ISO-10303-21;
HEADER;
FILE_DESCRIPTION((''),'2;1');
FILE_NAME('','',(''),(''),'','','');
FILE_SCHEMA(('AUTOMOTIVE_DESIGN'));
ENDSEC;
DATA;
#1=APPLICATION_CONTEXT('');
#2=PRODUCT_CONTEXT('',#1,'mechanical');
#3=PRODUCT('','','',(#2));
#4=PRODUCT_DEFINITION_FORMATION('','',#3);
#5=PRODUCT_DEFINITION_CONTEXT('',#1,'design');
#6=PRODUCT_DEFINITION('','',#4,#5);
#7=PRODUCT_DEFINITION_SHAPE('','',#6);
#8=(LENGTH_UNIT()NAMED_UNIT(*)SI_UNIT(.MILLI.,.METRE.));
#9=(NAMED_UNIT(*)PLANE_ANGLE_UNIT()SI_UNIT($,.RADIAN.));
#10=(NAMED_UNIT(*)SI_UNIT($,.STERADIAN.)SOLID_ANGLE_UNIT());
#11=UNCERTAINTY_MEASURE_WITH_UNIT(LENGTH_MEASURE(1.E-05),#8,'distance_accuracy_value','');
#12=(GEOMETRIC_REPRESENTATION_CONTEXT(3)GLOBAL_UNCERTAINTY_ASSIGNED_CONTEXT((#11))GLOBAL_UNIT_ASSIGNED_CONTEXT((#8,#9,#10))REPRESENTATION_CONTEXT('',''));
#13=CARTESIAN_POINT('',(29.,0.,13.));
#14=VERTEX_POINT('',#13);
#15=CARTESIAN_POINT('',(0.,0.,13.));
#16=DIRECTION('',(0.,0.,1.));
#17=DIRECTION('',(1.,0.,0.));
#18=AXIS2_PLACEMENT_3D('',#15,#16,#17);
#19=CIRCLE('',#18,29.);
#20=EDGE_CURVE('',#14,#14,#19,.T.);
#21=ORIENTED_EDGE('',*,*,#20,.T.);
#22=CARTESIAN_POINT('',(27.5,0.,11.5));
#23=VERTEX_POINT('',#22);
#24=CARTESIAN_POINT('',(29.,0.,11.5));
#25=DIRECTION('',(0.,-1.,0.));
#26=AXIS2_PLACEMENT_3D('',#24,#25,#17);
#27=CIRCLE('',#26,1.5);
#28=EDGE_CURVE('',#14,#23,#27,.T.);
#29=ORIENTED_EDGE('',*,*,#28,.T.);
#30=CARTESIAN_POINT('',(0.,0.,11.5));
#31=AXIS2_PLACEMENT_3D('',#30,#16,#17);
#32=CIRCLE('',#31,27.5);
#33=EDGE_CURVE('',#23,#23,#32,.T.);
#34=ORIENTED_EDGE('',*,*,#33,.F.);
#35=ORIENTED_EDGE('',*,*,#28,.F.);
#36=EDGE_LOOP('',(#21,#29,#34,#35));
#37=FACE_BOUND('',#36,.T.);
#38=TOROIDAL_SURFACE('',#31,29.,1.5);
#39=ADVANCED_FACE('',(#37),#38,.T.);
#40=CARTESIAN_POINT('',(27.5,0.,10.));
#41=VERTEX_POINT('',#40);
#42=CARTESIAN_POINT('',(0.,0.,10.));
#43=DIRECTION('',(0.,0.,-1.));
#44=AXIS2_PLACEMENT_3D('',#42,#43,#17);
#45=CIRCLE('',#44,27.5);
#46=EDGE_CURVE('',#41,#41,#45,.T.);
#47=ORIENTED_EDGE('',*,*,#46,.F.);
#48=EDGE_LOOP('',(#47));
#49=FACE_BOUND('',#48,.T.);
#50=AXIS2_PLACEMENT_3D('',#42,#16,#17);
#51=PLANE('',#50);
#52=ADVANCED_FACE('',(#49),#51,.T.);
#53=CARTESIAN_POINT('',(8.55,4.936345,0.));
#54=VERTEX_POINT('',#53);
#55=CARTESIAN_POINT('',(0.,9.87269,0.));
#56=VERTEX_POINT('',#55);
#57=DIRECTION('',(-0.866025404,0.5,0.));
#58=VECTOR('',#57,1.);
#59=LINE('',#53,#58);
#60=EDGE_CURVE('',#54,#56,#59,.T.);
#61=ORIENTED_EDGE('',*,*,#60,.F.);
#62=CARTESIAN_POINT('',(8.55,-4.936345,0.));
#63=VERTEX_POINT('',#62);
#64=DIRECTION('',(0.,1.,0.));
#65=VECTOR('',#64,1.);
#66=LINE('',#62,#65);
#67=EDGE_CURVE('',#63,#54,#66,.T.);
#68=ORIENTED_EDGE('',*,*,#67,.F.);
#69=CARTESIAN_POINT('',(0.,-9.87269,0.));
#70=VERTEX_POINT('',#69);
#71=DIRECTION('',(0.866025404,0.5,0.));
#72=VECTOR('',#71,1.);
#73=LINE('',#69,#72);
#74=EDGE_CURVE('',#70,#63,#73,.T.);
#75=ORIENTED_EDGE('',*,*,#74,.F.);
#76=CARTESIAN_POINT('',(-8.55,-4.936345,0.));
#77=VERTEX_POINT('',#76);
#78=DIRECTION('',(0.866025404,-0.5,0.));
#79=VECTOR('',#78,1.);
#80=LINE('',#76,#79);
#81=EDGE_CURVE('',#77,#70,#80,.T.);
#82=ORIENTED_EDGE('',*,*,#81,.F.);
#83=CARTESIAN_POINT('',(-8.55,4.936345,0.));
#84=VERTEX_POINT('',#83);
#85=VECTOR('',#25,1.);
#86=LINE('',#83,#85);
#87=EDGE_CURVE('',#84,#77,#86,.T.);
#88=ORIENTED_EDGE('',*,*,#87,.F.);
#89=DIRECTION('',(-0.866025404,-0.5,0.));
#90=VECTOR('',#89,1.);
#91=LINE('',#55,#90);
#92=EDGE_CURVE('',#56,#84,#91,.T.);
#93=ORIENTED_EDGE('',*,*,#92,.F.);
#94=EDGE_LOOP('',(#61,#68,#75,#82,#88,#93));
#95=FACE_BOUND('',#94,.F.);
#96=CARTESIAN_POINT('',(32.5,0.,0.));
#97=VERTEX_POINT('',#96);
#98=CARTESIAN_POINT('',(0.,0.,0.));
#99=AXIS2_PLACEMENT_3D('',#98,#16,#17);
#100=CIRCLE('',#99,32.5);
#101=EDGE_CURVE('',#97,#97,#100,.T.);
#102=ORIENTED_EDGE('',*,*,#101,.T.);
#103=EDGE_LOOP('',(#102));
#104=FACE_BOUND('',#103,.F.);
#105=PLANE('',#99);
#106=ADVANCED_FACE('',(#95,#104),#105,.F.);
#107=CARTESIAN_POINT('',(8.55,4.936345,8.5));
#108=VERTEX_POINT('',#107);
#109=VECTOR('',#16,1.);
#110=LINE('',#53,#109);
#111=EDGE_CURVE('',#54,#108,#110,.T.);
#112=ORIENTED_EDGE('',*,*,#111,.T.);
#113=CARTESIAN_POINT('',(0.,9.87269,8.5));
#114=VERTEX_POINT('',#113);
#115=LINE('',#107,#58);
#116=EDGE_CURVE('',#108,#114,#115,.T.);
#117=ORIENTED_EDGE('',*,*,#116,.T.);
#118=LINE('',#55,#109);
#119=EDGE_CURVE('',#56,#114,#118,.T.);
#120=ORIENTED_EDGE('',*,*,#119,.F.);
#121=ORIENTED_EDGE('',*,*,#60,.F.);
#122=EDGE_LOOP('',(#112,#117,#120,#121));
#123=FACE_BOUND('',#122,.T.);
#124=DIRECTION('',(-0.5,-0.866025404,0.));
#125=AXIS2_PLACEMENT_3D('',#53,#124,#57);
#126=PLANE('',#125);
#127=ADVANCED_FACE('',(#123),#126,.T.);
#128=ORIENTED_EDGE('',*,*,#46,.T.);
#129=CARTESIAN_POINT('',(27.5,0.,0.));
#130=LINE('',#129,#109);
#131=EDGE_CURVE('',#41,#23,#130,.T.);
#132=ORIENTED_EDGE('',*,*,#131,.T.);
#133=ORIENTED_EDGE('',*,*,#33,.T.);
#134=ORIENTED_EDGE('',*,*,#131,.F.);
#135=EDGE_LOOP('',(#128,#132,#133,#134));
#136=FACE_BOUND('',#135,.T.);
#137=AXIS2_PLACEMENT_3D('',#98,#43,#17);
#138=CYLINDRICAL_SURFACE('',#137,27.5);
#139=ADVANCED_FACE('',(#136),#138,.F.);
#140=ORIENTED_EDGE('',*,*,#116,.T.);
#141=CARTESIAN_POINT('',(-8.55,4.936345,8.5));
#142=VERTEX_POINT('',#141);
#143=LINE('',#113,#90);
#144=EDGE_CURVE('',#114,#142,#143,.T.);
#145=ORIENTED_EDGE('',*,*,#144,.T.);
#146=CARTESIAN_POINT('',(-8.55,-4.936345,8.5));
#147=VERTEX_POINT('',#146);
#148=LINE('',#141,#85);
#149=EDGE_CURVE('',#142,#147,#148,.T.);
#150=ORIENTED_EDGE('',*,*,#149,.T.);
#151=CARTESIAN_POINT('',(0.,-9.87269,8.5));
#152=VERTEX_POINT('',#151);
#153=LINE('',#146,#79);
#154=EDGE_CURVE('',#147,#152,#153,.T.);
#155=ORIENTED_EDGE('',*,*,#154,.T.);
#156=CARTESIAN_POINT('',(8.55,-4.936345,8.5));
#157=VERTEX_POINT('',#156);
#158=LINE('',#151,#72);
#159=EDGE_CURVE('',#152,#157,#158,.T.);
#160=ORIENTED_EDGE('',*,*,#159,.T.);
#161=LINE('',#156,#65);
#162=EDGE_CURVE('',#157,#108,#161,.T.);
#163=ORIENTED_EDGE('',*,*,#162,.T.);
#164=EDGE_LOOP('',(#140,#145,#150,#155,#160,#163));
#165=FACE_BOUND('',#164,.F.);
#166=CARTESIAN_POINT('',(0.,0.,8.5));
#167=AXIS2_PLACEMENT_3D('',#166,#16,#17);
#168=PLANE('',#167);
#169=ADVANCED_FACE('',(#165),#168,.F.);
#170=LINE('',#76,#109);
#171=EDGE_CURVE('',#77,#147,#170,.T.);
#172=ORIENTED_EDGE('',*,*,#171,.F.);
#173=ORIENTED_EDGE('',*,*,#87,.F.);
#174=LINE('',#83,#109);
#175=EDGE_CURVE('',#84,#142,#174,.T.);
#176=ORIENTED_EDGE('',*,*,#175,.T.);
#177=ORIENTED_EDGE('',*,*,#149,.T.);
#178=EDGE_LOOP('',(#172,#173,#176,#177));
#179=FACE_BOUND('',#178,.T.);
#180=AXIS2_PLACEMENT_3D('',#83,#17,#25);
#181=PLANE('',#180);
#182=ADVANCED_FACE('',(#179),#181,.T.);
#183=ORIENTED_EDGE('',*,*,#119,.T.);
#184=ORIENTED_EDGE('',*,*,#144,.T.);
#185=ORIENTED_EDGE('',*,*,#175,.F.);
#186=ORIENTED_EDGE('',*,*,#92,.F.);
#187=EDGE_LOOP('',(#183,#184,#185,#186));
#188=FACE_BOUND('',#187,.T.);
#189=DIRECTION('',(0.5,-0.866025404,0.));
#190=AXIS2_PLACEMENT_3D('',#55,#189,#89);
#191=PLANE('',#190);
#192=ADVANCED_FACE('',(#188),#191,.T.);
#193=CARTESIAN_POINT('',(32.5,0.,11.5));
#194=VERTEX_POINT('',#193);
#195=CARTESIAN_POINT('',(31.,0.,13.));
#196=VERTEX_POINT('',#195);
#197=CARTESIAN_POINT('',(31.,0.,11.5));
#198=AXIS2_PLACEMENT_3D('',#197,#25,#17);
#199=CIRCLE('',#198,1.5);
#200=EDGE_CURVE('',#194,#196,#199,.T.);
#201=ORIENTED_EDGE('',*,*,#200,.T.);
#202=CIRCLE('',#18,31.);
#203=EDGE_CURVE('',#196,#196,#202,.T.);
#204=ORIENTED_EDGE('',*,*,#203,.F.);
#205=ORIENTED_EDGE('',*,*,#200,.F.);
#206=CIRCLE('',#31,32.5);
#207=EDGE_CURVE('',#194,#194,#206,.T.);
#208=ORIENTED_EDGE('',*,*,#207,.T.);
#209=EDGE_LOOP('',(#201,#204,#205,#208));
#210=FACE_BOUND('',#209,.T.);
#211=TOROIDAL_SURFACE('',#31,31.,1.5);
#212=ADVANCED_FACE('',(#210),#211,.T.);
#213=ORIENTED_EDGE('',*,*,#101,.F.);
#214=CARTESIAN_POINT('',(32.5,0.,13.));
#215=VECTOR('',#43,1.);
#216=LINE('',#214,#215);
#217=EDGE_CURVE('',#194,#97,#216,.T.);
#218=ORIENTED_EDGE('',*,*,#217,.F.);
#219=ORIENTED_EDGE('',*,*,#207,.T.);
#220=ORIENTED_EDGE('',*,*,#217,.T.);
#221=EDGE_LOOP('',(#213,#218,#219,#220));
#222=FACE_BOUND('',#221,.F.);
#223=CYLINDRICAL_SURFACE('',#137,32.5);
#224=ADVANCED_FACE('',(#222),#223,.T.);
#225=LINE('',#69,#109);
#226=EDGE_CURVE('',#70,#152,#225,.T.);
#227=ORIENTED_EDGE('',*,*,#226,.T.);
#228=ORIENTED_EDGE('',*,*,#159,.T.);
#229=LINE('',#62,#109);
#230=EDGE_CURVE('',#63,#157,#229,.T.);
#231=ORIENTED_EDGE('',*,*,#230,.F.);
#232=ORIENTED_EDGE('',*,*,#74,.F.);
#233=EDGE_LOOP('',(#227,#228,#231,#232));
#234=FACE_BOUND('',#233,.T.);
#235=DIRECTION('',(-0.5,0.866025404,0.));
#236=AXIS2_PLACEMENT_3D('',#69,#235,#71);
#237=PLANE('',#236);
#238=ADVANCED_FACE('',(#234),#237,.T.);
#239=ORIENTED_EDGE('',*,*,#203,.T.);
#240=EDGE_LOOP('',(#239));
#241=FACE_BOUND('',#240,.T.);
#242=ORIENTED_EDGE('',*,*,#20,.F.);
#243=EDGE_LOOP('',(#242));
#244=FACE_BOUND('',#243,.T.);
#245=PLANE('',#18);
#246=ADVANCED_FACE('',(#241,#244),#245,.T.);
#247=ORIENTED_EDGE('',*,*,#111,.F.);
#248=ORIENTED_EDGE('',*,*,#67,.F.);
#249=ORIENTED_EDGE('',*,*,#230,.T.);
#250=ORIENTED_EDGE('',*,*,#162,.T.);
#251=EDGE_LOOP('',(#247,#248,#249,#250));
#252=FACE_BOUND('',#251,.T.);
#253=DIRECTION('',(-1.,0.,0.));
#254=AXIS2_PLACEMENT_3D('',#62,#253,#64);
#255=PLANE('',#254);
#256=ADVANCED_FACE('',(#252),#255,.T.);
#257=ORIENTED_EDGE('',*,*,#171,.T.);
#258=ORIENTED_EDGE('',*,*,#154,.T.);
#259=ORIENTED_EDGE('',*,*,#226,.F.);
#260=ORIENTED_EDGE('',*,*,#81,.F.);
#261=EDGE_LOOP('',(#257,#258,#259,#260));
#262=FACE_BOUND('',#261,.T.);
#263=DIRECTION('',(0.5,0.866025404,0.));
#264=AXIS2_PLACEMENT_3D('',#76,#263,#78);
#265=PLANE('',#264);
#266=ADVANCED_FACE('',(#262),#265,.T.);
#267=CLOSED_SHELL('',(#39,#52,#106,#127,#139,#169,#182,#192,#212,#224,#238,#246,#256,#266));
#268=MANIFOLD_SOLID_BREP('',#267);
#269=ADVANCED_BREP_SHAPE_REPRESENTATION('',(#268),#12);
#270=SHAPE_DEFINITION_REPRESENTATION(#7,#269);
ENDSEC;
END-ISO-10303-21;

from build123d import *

# Parameters (mm, degrees)
F0_R     = 32.5
F0_R_2   = 27.5
F1_DEPTH = 10
F2_DEPTH = 8.5
F3_DEPTH = 13
F4_R     = 1.5


with BuildPart() as f1:
    # F0 (on Top) → F1 (new body)
    with BuildSketch(Plane.XY):
        Circle(F0_R)
        Circle(F0_R_2, mode=Mode.SUBTRACT)
        Circle(F0_R_2)
        Polygon((-8.55, 4.9363448016), (0, 9.8726896031), (8.55, 4.9363448016), (8.55, -4.9363448016), (0, -9.8726896031), (-8.55, -4.9363448016), align=None, mode=Mode.SUBTRACT)
        Polygon((8.55, 4.9363448016), (0, 9.8726896031), (-8.55, 4.9363448016), (-8.55, -4.9363448016), (0, -9.8726896031), (8.55, -4.9363448016), align=None)
    extrude(amount=F1_DEPTH)

    # F0 (on Top) → F2 (cut)
    with BuildSketch(Plane.XY):
        Polygon((8.55, 4.9363448016), (0, 9.8726896031), (-8.55, 4.9363448016), (-8.55, -4.9363448016), (0, -9.8726896031), (8.55, -4.9363448016), align=None)
    extrude(amount=F2_DEPTH, mode=Mode.SUBTRACT)

    # F0 (on Top) → F3 (join)
    with BuildSketch(Plane.XY):
        Circle(F0_R)
        Circle(F0_R_2, mode=Mode.SUBTRACT)
    extrude(amount=F3_DEPTH)

    # F4
    f4_edges = [f1.edges().sort_by_distance(p)[0] for p in [
        (-32.5, 0, 13),
        (-27.5, 0, 13),
    ]]
    fillet(f4_edges, radius=F4_R)


solid = f1.part
